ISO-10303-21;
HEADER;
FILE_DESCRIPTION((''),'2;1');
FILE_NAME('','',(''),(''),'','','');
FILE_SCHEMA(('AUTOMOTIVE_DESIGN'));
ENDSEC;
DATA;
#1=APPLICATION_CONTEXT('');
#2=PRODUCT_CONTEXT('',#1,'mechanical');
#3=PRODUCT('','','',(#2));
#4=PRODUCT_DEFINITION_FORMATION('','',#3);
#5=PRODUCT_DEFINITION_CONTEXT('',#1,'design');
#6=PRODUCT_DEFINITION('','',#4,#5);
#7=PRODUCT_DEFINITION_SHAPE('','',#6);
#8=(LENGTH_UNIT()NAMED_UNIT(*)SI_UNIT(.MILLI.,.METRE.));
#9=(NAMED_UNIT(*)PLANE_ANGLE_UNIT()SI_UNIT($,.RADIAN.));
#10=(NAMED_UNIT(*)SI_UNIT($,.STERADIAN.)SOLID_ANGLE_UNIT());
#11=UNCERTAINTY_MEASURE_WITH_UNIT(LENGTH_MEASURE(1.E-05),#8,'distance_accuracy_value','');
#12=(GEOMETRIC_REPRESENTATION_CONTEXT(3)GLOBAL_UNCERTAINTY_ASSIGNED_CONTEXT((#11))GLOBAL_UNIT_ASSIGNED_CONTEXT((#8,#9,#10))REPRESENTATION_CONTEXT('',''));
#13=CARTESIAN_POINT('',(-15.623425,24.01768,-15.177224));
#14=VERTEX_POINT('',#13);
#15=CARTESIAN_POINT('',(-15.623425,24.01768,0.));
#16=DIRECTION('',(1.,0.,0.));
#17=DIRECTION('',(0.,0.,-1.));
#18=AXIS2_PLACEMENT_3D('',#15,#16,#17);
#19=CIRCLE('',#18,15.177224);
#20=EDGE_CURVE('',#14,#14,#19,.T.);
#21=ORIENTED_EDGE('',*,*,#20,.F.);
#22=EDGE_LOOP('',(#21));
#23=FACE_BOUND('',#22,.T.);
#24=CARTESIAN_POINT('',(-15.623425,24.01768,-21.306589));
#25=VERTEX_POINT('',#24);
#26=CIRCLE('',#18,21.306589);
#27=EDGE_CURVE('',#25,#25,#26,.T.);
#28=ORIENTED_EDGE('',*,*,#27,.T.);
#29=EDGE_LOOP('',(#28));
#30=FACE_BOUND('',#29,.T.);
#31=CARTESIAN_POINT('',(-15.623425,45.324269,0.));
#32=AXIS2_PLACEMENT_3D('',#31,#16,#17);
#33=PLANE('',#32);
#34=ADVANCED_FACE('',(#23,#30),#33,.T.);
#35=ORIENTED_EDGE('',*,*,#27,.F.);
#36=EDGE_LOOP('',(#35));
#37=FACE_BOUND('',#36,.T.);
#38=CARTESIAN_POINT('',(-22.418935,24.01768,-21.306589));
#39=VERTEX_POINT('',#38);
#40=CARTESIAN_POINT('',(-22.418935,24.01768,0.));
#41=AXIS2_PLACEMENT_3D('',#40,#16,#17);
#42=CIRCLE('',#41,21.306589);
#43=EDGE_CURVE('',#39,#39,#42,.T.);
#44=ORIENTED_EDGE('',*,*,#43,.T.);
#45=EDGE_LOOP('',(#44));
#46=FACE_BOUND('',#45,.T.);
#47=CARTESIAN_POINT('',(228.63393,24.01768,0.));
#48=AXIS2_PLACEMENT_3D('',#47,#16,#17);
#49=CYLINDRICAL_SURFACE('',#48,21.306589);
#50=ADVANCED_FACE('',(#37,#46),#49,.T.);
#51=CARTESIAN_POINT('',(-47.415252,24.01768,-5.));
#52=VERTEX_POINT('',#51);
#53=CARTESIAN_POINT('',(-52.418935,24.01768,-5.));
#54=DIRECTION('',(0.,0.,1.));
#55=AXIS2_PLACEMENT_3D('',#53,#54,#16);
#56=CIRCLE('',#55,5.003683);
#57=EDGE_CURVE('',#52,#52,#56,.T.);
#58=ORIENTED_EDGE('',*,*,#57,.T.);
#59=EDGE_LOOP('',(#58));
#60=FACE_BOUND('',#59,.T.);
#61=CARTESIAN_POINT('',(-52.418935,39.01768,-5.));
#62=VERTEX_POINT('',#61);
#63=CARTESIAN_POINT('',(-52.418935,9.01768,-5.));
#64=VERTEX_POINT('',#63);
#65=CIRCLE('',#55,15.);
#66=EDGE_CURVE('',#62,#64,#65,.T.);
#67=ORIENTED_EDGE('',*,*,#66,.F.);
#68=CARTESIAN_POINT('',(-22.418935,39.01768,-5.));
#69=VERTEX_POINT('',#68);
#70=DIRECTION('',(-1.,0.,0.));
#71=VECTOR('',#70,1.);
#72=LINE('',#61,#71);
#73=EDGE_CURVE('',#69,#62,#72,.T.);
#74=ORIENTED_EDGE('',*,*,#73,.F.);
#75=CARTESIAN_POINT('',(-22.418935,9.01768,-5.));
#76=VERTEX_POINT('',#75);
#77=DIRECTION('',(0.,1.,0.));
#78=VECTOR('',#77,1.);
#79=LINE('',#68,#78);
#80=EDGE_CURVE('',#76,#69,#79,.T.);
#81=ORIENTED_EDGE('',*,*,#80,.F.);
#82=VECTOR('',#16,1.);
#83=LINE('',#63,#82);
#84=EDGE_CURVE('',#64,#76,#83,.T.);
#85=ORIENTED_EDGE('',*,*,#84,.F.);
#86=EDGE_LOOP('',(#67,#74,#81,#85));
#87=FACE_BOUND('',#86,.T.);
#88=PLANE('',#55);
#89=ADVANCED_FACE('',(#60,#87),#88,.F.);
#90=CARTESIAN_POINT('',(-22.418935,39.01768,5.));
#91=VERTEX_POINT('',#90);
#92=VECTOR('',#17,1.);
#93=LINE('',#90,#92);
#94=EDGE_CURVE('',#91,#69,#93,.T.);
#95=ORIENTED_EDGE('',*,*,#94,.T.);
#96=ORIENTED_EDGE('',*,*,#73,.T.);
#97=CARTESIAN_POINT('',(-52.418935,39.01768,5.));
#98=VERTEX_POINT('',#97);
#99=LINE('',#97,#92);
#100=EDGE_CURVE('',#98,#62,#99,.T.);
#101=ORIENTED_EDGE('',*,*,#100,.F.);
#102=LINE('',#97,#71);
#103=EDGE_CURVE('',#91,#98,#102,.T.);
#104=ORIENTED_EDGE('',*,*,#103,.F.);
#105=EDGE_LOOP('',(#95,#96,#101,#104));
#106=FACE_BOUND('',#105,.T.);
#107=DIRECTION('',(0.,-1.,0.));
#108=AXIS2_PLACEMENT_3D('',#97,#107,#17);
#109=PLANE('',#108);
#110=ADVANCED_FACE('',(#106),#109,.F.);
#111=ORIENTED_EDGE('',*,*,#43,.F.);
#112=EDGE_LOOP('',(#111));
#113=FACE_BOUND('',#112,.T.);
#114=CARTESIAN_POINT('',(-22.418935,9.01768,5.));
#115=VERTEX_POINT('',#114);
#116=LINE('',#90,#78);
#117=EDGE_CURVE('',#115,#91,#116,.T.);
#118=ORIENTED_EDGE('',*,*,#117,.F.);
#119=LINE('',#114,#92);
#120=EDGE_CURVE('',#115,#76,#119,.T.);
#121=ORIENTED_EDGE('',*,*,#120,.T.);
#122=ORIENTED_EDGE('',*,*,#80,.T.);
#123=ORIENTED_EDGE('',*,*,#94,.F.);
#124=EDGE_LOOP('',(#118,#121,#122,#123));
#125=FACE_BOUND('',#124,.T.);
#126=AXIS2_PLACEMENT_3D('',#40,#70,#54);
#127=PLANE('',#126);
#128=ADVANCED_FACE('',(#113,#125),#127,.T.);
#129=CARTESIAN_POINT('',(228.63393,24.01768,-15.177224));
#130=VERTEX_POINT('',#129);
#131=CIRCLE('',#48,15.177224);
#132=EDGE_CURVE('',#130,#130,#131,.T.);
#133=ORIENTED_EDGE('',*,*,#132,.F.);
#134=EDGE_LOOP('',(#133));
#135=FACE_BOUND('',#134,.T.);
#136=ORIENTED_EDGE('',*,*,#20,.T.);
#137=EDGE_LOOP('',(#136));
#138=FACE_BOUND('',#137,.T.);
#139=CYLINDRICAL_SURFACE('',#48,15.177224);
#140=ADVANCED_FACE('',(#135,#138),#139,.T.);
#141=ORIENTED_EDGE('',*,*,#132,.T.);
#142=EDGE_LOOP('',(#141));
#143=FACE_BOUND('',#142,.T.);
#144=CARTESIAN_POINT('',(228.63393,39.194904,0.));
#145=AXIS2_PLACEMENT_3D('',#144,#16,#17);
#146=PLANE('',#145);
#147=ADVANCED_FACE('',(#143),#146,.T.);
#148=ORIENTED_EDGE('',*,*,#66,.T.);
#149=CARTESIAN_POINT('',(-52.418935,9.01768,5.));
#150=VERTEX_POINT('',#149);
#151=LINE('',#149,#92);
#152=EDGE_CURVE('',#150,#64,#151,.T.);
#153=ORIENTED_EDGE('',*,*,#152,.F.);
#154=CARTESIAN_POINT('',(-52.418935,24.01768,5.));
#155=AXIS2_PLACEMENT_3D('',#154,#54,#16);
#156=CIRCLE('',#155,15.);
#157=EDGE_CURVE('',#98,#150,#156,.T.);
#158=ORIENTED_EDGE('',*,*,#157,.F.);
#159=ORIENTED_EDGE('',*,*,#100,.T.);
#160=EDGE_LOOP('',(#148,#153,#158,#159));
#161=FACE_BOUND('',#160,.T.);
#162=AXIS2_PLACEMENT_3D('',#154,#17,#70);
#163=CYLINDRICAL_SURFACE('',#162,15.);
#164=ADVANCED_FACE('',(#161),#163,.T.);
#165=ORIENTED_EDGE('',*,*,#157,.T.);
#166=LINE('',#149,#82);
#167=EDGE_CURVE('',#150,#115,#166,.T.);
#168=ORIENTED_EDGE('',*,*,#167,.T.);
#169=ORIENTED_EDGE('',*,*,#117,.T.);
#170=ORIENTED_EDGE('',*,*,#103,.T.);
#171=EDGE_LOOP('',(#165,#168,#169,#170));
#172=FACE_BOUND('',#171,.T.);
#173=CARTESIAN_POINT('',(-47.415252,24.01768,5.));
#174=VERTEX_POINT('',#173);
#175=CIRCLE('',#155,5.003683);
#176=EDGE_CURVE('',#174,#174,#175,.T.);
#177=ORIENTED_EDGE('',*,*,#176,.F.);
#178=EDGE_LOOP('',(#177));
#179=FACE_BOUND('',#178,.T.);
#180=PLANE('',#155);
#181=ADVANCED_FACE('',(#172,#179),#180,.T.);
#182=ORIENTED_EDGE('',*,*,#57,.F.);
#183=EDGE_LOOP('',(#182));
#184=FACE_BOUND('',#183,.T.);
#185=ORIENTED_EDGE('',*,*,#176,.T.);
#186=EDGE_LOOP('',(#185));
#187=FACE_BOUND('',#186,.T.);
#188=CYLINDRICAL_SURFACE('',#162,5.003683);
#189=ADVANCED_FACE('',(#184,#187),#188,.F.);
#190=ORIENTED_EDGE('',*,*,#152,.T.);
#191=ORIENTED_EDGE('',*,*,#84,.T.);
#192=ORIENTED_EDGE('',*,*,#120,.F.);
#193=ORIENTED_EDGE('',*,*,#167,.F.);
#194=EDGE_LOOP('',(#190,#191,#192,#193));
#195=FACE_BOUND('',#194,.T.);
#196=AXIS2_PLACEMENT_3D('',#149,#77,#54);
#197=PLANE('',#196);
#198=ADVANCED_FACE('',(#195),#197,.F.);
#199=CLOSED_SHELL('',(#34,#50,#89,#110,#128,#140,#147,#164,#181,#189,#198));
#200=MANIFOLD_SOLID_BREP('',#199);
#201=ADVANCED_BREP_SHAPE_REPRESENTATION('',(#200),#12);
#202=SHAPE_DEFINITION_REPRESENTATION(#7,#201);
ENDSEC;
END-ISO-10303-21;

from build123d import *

# Parameters (mm, degrees)
SKETCH1_R           = 5.00368331
BOSS_EXTRUDE1_DEPTH = 5


with BuildPart() as part:
    # Sketch1 → Boss-Extrude1 (new, symmetric)
    with BuildSketch(Plane.XY):
        with BuildLine():
            Line((-52.418935372, 39.017679889), (-22.418935372, 39.017679889))
            Line((-22.418935372, 39.017679889), (-22.418935372, 9.017679889))
            Line((-22.418935372, 9.017679889), (-52.418935372, 9.017679889))
            ThreePointArc((-52.418935372, 9.017679889), (-67.418935372, 24.017679889), (-52.418935372, 39.017679889))
        make_face()
        with Locations((-52.418935372, 24.017679889)):
            Circle(SKETCH1_R, mode=Mode.SUBTRACT)
    extrude(amount=BOSS_EXTRUDE1_DEPTH, both=True)

    # Sketch2 → Revolve4 (revolve)
    with BuildSketch(Plane.XY, mode=Mode.PRIVATE) as revolve4_sk:
        Polygon((-22.418935372, 24.017679889), (-22.418935372, 45.324269268), (-15.62342474, 45.324269268), (-15.62342474, 39.194903503), (228.633930204, 39.194903503), (228.633930204, 24.017679889), align=None)
    revolve(revolve4_sk.sketch.rotate(Axis((228.633930204, 24.017679889, 0), (-1, 0, 0)), 90), axis=Axis((228.633930204, 24.017679889, 0), (-1, 0, 0)))


solid = part.part
